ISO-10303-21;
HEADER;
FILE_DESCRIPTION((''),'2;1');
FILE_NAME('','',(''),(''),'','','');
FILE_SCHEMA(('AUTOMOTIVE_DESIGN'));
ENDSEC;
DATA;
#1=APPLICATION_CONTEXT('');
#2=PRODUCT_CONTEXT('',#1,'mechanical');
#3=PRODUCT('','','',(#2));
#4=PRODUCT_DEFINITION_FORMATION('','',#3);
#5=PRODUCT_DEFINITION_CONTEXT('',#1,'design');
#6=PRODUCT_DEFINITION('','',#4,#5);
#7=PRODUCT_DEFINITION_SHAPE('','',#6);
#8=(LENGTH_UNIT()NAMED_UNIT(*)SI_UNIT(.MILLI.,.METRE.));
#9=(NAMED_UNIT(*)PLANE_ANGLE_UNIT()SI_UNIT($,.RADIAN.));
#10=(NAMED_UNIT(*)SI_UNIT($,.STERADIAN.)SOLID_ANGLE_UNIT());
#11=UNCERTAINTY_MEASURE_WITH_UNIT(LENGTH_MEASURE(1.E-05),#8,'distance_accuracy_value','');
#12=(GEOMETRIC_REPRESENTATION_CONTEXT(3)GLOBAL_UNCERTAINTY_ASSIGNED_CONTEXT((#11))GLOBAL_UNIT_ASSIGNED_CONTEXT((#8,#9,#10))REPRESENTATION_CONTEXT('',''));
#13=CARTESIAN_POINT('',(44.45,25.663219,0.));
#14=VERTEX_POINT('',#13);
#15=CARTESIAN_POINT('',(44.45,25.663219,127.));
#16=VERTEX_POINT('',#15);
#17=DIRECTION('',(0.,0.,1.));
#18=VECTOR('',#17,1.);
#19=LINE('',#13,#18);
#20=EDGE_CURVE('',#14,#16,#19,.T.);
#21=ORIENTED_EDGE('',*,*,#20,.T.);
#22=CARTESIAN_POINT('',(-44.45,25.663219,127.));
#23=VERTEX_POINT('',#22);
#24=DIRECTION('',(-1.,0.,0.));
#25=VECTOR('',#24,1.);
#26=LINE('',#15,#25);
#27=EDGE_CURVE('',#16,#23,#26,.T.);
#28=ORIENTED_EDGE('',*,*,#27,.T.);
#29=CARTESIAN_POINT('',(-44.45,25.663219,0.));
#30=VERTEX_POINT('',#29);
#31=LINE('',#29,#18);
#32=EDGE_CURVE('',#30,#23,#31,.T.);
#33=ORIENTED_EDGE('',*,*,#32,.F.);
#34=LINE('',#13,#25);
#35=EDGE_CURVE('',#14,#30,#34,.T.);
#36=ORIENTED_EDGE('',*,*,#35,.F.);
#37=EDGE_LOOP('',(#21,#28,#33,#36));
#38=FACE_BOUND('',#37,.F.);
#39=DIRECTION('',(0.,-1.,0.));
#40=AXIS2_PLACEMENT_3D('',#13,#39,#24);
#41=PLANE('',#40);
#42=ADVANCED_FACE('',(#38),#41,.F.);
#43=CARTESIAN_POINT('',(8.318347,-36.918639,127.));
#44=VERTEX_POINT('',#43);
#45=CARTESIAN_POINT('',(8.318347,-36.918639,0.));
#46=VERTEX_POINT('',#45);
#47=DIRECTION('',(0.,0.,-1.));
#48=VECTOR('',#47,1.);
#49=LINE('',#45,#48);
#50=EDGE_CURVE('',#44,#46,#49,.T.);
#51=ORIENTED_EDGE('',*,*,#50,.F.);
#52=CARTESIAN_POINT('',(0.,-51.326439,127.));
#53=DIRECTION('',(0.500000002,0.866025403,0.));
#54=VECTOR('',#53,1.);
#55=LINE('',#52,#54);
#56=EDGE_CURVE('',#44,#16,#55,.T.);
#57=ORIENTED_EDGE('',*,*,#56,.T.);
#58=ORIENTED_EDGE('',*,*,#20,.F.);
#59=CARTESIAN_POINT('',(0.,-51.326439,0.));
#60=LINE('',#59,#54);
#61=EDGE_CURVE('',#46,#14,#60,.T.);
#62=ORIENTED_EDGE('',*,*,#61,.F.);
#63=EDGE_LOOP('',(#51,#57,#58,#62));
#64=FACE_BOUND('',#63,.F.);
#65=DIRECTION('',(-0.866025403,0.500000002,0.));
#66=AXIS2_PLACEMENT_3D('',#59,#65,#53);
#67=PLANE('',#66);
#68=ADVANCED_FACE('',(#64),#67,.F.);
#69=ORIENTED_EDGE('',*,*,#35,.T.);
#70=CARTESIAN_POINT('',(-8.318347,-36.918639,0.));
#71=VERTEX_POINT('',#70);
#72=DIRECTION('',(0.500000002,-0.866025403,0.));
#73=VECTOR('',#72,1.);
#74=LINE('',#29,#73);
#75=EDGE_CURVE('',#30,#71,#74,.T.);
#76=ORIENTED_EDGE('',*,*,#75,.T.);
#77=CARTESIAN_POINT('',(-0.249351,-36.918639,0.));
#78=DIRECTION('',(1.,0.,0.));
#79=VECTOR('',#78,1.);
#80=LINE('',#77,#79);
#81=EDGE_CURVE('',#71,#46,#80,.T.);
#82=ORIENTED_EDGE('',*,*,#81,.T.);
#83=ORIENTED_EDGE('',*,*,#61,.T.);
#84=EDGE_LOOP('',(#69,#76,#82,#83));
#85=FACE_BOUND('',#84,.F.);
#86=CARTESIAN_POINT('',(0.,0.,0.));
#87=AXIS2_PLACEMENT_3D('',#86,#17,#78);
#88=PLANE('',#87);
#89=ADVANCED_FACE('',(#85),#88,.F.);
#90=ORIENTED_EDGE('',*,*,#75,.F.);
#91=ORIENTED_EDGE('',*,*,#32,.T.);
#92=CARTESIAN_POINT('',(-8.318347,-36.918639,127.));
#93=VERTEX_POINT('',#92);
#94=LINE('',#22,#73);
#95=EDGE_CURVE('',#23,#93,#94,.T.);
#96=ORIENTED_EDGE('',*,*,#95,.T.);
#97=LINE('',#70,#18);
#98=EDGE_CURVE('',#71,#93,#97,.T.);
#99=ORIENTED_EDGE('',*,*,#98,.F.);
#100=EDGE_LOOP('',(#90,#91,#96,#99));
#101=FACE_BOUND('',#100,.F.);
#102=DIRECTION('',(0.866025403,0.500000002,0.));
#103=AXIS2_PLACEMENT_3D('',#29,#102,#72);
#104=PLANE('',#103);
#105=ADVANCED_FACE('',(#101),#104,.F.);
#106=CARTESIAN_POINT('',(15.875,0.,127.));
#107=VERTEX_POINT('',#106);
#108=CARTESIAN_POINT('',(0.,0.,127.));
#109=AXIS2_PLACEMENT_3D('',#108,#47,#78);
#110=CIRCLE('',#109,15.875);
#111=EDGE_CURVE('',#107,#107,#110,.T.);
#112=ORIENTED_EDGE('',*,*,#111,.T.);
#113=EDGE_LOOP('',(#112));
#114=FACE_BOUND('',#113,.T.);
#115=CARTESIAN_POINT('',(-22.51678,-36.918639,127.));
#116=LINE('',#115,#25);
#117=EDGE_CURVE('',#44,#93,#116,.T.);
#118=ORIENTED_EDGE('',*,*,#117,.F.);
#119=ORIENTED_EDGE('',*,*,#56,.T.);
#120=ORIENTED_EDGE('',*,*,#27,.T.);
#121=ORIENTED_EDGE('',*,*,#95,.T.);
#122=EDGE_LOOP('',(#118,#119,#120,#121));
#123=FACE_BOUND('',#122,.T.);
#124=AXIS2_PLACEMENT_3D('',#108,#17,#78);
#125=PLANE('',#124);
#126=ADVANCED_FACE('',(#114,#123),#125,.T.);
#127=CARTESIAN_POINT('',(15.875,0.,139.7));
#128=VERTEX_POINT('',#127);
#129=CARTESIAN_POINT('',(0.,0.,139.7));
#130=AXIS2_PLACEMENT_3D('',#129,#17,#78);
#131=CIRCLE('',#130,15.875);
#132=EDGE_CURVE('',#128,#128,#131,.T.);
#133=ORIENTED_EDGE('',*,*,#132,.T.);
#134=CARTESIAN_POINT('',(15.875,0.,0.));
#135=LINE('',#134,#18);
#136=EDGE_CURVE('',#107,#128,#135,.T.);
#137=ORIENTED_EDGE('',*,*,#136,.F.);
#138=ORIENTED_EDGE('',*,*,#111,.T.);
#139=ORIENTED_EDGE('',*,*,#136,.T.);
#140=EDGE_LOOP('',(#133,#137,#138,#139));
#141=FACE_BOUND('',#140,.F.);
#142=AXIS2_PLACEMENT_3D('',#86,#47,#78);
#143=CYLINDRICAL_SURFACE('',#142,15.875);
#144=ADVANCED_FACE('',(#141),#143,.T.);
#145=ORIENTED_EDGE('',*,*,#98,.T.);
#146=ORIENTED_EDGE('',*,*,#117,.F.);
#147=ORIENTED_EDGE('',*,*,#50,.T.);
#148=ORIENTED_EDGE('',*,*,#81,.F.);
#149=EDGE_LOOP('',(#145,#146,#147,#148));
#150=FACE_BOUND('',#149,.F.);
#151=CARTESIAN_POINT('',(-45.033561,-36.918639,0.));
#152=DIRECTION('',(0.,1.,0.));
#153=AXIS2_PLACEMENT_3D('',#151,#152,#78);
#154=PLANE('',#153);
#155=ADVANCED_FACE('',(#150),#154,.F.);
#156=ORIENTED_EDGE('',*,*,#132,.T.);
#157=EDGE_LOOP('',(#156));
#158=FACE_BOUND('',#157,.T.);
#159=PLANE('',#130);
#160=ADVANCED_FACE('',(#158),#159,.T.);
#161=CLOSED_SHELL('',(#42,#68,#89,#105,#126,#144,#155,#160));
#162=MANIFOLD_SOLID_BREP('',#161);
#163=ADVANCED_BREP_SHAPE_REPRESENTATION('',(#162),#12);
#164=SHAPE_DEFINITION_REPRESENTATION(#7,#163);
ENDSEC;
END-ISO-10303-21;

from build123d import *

# Parameters (mm, degrees)
F1_DEPTH = 127
F2_W     = 89.568419
F2_H     = 63.5
F3_DEPTH = 215.9
F4_R     = 15.875
F5_DEPTH = 139.7


with BuildPart() as f1:
    # F0 (on Top) → F1 (new body)
    with BuildSketch(Plane.XY):
        Polygon((44.45, 25.663219), (-44.45, 25.663219), (0, -51.326439), align=None)
    extrude(amount=F1_DEPTH)

    # F2 (on Top) → F3 (intersect)
    with BuildSketch(Plane.XY):
        with Locations((-0.249351, -5.168639)):
            Rectangle(F2_W, F2_H)
    extrude(amount=F3_DEPTH, mode=Mode.INTERSECT)

    # F4 (on Top) → F5 (join)
    with BuildSketch(Plane.XY):
        Circle(F4_R)
    extrude(amount=F5_DEPTH)


solid = f1.part
